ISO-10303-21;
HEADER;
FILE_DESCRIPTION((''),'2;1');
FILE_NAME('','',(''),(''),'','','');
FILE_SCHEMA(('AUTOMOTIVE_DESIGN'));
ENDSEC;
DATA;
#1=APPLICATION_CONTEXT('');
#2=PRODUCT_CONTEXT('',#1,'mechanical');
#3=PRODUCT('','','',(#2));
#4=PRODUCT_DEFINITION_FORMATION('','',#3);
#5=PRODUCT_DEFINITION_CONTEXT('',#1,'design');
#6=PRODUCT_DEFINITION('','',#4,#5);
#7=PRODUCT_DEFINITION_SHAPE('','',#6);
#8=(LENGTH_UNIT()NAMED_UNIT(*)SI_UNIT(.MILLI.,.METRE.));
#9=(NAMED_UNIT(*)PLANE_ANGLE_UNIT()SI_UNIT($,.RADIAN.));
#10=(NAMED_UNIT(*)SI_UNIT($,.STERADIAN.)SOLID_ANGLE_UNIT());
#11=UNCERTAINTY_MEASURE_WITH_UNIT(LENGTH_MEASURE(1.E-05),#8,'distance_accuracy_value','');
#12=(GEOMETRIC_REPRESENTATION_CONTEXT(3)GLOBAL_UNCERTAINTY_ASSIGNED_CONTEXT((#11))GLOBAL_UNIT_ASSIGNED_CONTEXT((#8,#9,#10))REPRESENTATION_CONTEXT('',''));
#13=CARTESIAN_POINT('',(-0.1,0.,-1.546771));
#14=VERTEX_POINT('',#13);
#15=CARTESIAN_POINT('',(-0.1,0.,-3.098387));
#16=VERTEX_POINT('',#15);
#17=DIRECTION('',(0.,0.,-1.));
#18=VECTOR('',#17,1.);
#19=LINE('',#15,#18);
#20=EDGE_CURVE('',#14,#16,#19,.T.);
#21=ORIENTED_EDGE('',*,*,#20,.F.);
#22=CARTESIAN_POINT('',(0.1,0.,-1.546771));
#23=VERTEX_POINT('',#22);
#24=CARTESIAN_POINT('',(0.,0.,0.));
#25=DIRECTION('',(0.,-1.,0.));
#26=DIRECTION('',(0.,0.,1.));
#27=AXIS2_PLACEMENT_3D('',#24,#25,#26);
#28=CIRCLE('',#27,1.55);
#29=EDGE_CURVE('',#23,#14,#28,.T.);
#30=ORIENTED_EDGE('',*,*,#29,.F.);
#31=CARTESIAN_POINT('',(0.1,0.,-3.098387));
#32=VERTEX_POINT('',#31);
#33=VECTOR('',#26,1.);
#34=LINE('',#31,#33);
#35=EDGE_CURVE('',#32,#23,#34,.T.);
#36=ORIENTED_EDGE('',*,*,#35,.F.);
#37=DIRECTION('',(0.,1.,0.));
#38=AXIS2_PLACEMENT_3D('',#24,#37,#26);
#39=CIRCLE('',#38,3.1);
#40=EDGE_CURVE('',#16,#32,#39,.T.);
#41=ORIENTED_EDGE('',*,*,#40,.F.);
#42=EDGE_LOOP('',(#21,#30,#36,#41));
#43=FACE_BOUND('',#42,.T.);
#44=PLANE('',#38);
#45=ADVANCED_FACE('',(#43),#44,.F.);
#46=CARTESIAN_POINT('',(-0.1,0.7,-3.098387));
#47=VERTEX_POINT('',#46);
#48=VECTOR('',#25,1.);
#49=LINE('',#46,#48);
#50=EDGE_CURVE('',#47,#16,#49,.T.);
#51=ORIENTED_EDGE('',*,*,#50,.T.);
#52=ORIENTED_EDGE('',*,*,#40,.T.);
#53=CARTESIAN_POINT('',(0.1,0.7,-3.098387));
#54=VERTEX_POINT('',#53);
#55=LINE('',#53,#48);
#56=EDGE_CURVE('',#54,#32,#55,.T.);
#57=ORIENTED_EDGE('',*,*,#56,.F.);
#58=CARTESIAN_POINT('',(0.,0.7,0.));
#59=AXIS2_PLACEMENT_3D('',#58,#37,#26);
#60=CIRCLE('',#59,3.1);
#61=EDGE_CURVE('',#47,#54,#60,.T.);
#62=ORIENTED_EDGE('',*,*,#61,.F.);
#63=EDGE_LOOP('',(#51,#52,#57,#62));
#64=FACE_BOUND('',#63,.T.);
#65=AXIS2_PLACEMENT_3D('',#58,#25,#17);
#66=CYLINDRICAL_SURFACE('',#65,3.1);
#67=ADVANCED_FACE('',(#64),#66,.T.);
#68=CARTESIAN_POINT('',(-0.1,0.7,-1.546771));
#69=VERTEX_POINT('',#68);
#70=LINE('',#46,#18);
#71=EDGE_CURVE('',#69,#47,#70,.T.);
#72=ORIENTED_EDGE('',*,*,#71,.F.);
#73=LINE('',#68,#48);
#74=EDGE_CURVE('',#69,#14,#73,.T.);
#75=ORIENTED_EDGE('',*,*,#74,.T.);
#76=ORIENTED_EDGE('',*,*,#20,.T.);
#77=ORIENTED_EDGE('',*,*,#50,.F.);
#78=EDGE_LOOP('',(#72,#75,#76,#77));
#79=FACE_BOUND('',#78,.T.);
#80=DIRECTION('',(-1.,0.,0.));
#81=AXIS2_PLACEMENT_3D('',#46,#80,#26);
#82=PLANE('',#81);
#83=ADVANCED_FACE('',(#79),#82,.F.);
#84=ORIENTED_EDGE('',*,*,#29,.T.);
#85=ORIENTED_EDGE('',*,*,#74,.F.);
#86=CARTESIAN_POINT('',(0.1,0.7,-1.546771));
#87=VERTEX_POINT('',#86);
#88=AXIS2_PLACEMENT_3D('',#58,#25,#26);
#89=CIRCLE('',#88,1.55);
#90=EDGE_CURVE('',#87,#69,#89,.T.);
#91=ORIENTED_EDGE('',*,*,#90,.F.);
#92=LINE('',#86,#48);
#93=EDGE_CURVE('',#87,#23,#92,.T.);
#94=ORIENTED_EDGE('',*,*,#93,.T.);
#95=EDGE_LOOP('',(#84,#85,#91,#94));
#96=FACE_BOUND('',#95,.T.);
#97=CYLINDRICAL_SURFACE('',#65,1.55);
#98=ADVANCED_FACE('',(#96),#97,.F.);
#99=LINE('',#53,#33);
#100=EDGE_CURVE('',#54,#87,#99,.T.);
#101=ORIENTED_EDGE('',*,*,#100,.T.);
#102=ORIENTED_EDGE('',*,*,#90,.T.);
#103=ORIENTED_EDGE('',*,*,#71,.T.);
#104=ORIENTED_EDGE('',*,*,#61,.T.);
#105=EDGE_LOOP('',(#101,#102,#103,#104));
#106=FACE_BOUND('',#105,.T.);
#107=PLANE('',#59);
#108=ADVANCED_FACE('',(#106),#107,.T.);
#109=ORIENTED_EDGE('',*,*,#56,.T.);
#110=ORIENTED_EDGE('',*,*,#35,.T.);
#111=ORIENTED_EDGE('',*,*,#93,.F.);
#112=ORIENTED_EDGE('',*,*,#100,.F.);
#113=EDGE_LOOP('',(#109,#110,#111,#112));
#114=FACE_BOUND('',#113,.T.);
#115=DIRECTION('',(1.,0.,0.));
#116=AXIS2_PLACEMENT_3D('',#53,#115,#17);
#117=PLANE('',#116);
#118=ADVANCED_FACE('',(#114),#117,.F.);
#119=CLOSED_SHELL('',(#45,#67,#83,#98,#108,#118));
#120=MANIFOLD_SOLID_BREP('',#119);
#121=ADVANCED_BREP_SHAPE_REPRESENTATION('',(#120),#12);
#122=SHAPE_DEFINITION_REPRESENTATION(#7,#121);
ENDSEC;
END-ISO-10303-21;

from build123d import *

# Parameters (mm, degrees)
RESSALTO_EXTRUS_O1_DEPTH = 0.7


with BuildPart() as part:
    # Esboço1 → Ressalto-extrusão1 (new body)
    with BuildSketch(Plane(origin=(0, 0, 0), x_dir=(1, 0, 0), z_dir=(0, 1, 0))):
        with BuildLine():
            Line((-0.1, 3.098386677), (-0.1, 1.54677083))
            ThreePointArc((-0.1, 1.54677083), (0, -1.55), (0.1, 1.54677083))
            Line((0.1, 1.54677083), (0.1, 3.098386677))
            ThreePointArc((0.1, 3.098386677), (0, -3.1), (-0.1, 3.098386677))
        make_face()
    extrude(amount=RESSALTO_EXTRUS_O1_DEPTH)


solid = part.part
